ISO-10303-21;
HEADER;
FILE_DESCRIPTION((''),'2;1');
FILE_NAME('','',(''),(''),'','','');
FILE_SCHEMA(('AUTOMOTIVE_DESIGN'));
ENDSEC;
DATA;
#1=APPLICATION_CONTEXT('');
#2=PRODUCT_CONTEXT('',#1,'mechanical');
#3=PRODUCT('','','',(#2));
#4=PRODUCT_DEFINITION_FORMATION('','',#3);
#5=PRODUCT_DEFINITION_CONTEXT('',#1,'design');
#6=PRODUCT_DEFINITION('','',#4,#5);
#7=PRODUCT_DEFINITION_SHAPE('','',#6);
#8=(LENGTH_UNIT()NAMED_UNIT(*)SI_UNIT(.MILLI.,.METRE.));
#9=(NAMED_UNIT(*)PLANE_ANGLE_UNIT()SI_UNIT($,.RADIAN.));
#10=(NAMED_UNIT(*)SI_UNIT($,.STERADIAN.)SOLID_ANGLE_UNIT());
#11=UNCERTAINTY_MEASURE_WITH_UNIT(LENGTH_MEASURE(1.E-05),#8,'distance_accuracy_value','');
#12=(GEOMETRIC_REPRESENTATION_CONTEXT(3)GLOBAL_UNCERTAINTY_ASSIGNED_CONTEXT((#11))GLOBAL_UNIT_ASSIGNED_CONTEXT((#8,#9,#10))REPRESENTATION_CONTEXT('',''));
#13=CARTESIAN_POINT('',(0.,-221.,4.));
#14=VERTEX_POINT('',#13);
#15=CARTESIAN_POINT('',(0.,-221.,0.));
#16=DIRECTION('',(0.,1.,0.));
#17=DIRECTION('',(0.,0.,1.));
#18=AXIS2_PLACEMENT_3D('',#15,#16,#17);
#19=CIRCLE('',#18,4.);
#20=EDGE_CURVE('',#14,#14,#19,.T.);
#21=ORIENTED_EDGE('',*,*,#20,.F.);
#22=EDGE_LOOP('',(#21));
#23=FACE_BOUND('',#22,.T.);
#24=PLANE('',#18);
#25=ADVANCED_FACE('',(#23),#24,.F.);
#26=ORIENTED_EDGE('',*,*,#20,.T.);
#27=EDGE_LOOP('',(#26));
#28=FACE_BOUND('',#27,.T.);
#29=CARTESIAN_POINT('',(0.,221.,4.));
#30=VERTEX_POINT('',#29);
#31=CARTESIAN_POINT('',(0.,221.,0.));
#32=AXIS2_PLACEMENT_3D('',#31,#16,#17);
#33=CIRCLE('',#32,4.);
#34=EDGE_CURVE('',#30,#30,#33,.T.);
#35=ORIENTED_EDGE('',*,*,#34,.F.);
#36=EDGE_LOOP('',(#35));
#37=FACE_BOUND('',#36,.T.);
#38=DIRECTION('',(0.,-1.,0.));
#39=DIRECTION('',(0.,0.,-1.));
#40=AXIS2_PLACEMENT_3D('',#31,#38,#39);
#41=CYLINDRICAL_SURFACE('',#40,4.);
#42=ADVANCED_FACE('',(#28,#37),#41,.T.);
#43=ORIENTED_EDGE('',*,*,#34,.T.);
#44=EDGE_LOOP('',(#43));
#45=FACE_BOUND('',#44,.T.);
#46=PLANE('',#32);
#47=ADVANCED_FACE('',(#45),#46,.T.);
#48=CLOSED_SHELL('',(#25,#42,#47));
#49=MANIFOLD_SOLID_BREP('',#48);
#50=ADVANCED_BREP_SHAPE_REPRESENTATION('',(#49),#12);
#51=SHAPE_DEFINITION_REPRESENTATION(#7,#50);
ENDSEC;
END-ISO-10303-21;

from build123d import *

# Parameters (mm, degrees)
SKETCH1_R           = 4
BOSS_EXTRUDE1_DEPTH = 221


with BuildPart() as part:
    # Sketch1 → Boss-Extrude1 (new, symmetric)
    with BuildSketch(Plane(origin=(0, 0, 0), x_dir=(1, 0, 0), z_dir=(0, 1, 0))):
        with Locations(Location((0, 0, 0), (0, 0, 270))):
            Circle(SKETCH1_R)
    extrude(amount=BOSS_EXTRUDE1_DEPTH, both=True)


solid = part.part
